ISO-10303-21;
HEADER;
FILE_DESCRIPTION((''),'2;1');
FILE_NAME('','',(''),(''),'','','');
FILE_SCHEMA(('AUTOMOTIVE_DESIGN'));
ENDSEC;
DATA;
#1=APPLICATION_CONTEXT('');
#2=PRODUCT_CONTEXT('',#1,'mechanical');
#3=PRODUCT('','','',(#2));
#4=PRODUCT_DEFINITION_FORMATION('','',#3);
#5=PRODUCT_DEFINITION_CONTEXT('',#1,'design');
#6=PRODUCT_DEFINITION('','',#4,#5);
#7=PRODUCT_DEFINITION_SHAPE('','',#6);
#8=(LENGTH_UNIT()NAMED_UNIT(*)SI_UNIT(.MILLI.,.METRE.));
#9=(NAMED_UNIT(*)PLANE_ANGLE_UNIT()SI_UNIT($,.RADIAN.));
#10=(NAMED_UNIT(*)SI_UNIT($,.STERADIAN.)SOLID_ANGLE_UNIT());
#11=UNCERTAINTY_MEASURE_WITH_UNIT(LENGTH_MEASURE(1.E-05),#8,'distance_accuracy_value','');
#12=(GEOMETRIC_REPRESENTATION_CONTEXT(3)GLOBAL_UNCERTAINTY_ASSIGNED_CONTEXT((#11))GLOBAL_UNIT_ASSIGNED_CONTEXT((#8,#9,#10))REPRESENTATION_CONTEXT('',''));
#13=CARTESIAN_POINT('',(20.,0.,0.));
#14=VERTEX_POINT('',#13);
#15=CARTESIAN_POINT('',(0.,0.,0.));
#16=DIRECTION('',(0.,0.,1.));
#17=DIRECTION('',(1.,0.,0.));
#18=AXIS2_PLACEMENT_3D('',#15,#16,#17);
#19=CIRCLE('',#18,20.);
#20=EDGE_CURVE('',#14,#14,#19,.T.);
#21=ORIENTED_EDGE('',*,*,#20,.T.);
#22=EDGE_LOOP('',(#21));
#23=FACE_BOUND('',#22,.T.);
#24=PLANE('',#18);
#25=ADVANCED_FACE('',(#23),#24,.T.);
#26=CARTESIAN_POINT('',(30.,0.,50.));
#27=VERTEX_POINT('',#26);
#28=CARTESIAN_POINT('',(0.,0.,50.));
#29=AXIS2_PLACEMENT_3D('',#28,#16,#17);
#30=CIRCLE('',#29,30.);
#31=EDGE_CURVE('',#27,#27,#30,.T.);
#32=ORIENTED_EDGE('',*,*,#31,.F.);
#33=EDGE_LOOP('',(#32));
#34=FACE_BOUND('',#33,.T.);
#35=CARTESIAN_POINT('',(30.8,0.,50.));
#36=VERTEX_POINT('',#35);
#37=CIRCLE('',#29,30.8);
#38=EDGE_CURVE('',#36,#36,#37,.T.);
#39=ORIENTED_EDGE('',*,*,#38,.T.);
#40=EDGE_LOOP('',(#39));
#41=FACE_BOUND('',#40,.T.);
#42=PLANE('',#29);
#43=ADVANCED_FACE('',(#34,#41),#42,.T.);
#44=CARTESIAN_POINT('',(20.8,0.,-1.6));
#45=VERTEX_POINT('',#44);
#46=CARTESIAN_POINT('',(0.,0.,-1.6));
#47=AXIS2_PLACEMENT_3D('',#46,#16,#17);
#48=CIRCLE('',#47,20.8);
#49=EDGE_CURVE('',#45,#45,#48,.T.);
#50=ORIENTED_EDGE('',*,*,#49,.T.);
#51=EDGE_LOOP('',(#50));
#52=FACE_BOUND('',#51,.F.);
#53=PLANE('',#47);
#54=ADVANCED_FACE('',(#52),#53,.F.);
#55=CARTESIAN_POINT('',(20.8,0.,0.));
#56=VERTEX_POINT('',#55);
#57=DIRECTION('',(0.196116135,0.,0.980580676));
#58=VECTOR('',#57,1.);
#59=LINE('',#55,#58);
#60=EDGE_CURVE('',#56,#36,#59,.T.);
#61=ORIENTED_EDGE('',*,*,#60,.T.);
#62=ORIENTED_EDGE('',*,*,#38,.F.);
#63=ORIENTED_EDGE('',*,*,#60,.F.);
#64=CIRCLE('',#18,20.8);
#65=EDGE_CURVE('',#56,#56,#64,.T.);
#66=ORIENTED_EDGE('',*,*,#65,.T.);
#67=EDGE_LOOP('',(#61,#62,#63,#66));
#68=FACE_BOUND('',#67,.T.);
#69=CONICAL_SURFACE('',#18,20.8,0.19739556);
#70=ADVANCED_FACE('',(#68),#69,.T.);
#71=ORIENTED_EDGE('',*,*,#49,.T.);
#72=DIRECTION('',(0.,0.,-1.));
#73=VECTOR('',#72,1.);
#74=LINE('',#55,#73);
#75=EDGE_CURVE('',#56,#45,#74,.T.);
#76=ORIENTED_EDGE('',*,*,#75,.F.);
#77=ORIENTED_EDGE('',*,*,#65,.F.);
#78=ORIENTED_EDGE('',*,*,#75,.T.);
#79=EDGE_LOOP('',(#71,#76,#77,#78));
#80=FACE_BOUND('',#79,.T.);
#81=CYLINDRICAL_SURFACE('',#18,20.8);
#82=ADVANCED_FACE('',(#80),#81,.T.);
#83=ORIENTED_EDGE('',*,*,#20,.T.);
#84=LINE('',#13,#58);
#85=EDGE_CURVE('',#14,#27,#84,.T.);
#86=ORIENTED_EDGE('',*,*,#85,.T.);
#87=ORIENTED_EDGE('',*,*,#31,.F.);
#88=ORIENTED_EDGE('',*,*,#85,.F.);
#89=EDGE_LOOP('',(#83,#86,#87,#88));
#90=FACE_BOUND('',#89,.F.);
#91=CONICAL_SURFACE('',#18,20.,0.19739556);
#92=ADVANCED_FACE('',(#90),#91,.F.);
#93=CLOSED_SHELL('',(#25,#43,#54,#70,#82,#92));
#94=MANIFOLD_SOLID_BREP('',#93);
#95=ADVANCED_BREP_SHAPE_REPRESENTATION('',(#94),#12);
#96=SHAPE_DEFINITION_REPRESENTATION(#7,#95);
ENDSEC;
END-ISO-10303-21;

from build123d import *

# Parameters (mm, degrees)
SKETCH_R      = 20.8
EXTRUDE_DEPTH = 1.6


with BuildPart() as cone001:
    # Cone001 → Cone001 (revolve)
    with BuildSketch(Plane.XZ):
        Polygon((0, 0), (20, 0), (30, 50), (0, 50), align=None)
    revolve(axis=Axis((0, 0, 0), (0, 0, 1)))


with BuildPart() as cut:
    # Cone → Cone (revolve)
    with BuildSketch(Plane.XZ):
        Polygon((0, 0), (20.8, 0), (30.8, 50), (0, 50), align=None)
    revolve(axis=Axis((0, 0, 0), (0, 0, 1)))

    # Cut: cut Cone001
    add(cone001.part, mode=Mode.SUBTRACT)


with BuildPart() as fusion:
    # Sketch → Extrude (new body)
    with BuildSketch(Plane.XY):
        Circle(SKETCH_R)
    extrude(amount=-EXTRUDE_DEPTH)

    # Fusion: union Cut
    add(cut.part)


solid = fusion.part
